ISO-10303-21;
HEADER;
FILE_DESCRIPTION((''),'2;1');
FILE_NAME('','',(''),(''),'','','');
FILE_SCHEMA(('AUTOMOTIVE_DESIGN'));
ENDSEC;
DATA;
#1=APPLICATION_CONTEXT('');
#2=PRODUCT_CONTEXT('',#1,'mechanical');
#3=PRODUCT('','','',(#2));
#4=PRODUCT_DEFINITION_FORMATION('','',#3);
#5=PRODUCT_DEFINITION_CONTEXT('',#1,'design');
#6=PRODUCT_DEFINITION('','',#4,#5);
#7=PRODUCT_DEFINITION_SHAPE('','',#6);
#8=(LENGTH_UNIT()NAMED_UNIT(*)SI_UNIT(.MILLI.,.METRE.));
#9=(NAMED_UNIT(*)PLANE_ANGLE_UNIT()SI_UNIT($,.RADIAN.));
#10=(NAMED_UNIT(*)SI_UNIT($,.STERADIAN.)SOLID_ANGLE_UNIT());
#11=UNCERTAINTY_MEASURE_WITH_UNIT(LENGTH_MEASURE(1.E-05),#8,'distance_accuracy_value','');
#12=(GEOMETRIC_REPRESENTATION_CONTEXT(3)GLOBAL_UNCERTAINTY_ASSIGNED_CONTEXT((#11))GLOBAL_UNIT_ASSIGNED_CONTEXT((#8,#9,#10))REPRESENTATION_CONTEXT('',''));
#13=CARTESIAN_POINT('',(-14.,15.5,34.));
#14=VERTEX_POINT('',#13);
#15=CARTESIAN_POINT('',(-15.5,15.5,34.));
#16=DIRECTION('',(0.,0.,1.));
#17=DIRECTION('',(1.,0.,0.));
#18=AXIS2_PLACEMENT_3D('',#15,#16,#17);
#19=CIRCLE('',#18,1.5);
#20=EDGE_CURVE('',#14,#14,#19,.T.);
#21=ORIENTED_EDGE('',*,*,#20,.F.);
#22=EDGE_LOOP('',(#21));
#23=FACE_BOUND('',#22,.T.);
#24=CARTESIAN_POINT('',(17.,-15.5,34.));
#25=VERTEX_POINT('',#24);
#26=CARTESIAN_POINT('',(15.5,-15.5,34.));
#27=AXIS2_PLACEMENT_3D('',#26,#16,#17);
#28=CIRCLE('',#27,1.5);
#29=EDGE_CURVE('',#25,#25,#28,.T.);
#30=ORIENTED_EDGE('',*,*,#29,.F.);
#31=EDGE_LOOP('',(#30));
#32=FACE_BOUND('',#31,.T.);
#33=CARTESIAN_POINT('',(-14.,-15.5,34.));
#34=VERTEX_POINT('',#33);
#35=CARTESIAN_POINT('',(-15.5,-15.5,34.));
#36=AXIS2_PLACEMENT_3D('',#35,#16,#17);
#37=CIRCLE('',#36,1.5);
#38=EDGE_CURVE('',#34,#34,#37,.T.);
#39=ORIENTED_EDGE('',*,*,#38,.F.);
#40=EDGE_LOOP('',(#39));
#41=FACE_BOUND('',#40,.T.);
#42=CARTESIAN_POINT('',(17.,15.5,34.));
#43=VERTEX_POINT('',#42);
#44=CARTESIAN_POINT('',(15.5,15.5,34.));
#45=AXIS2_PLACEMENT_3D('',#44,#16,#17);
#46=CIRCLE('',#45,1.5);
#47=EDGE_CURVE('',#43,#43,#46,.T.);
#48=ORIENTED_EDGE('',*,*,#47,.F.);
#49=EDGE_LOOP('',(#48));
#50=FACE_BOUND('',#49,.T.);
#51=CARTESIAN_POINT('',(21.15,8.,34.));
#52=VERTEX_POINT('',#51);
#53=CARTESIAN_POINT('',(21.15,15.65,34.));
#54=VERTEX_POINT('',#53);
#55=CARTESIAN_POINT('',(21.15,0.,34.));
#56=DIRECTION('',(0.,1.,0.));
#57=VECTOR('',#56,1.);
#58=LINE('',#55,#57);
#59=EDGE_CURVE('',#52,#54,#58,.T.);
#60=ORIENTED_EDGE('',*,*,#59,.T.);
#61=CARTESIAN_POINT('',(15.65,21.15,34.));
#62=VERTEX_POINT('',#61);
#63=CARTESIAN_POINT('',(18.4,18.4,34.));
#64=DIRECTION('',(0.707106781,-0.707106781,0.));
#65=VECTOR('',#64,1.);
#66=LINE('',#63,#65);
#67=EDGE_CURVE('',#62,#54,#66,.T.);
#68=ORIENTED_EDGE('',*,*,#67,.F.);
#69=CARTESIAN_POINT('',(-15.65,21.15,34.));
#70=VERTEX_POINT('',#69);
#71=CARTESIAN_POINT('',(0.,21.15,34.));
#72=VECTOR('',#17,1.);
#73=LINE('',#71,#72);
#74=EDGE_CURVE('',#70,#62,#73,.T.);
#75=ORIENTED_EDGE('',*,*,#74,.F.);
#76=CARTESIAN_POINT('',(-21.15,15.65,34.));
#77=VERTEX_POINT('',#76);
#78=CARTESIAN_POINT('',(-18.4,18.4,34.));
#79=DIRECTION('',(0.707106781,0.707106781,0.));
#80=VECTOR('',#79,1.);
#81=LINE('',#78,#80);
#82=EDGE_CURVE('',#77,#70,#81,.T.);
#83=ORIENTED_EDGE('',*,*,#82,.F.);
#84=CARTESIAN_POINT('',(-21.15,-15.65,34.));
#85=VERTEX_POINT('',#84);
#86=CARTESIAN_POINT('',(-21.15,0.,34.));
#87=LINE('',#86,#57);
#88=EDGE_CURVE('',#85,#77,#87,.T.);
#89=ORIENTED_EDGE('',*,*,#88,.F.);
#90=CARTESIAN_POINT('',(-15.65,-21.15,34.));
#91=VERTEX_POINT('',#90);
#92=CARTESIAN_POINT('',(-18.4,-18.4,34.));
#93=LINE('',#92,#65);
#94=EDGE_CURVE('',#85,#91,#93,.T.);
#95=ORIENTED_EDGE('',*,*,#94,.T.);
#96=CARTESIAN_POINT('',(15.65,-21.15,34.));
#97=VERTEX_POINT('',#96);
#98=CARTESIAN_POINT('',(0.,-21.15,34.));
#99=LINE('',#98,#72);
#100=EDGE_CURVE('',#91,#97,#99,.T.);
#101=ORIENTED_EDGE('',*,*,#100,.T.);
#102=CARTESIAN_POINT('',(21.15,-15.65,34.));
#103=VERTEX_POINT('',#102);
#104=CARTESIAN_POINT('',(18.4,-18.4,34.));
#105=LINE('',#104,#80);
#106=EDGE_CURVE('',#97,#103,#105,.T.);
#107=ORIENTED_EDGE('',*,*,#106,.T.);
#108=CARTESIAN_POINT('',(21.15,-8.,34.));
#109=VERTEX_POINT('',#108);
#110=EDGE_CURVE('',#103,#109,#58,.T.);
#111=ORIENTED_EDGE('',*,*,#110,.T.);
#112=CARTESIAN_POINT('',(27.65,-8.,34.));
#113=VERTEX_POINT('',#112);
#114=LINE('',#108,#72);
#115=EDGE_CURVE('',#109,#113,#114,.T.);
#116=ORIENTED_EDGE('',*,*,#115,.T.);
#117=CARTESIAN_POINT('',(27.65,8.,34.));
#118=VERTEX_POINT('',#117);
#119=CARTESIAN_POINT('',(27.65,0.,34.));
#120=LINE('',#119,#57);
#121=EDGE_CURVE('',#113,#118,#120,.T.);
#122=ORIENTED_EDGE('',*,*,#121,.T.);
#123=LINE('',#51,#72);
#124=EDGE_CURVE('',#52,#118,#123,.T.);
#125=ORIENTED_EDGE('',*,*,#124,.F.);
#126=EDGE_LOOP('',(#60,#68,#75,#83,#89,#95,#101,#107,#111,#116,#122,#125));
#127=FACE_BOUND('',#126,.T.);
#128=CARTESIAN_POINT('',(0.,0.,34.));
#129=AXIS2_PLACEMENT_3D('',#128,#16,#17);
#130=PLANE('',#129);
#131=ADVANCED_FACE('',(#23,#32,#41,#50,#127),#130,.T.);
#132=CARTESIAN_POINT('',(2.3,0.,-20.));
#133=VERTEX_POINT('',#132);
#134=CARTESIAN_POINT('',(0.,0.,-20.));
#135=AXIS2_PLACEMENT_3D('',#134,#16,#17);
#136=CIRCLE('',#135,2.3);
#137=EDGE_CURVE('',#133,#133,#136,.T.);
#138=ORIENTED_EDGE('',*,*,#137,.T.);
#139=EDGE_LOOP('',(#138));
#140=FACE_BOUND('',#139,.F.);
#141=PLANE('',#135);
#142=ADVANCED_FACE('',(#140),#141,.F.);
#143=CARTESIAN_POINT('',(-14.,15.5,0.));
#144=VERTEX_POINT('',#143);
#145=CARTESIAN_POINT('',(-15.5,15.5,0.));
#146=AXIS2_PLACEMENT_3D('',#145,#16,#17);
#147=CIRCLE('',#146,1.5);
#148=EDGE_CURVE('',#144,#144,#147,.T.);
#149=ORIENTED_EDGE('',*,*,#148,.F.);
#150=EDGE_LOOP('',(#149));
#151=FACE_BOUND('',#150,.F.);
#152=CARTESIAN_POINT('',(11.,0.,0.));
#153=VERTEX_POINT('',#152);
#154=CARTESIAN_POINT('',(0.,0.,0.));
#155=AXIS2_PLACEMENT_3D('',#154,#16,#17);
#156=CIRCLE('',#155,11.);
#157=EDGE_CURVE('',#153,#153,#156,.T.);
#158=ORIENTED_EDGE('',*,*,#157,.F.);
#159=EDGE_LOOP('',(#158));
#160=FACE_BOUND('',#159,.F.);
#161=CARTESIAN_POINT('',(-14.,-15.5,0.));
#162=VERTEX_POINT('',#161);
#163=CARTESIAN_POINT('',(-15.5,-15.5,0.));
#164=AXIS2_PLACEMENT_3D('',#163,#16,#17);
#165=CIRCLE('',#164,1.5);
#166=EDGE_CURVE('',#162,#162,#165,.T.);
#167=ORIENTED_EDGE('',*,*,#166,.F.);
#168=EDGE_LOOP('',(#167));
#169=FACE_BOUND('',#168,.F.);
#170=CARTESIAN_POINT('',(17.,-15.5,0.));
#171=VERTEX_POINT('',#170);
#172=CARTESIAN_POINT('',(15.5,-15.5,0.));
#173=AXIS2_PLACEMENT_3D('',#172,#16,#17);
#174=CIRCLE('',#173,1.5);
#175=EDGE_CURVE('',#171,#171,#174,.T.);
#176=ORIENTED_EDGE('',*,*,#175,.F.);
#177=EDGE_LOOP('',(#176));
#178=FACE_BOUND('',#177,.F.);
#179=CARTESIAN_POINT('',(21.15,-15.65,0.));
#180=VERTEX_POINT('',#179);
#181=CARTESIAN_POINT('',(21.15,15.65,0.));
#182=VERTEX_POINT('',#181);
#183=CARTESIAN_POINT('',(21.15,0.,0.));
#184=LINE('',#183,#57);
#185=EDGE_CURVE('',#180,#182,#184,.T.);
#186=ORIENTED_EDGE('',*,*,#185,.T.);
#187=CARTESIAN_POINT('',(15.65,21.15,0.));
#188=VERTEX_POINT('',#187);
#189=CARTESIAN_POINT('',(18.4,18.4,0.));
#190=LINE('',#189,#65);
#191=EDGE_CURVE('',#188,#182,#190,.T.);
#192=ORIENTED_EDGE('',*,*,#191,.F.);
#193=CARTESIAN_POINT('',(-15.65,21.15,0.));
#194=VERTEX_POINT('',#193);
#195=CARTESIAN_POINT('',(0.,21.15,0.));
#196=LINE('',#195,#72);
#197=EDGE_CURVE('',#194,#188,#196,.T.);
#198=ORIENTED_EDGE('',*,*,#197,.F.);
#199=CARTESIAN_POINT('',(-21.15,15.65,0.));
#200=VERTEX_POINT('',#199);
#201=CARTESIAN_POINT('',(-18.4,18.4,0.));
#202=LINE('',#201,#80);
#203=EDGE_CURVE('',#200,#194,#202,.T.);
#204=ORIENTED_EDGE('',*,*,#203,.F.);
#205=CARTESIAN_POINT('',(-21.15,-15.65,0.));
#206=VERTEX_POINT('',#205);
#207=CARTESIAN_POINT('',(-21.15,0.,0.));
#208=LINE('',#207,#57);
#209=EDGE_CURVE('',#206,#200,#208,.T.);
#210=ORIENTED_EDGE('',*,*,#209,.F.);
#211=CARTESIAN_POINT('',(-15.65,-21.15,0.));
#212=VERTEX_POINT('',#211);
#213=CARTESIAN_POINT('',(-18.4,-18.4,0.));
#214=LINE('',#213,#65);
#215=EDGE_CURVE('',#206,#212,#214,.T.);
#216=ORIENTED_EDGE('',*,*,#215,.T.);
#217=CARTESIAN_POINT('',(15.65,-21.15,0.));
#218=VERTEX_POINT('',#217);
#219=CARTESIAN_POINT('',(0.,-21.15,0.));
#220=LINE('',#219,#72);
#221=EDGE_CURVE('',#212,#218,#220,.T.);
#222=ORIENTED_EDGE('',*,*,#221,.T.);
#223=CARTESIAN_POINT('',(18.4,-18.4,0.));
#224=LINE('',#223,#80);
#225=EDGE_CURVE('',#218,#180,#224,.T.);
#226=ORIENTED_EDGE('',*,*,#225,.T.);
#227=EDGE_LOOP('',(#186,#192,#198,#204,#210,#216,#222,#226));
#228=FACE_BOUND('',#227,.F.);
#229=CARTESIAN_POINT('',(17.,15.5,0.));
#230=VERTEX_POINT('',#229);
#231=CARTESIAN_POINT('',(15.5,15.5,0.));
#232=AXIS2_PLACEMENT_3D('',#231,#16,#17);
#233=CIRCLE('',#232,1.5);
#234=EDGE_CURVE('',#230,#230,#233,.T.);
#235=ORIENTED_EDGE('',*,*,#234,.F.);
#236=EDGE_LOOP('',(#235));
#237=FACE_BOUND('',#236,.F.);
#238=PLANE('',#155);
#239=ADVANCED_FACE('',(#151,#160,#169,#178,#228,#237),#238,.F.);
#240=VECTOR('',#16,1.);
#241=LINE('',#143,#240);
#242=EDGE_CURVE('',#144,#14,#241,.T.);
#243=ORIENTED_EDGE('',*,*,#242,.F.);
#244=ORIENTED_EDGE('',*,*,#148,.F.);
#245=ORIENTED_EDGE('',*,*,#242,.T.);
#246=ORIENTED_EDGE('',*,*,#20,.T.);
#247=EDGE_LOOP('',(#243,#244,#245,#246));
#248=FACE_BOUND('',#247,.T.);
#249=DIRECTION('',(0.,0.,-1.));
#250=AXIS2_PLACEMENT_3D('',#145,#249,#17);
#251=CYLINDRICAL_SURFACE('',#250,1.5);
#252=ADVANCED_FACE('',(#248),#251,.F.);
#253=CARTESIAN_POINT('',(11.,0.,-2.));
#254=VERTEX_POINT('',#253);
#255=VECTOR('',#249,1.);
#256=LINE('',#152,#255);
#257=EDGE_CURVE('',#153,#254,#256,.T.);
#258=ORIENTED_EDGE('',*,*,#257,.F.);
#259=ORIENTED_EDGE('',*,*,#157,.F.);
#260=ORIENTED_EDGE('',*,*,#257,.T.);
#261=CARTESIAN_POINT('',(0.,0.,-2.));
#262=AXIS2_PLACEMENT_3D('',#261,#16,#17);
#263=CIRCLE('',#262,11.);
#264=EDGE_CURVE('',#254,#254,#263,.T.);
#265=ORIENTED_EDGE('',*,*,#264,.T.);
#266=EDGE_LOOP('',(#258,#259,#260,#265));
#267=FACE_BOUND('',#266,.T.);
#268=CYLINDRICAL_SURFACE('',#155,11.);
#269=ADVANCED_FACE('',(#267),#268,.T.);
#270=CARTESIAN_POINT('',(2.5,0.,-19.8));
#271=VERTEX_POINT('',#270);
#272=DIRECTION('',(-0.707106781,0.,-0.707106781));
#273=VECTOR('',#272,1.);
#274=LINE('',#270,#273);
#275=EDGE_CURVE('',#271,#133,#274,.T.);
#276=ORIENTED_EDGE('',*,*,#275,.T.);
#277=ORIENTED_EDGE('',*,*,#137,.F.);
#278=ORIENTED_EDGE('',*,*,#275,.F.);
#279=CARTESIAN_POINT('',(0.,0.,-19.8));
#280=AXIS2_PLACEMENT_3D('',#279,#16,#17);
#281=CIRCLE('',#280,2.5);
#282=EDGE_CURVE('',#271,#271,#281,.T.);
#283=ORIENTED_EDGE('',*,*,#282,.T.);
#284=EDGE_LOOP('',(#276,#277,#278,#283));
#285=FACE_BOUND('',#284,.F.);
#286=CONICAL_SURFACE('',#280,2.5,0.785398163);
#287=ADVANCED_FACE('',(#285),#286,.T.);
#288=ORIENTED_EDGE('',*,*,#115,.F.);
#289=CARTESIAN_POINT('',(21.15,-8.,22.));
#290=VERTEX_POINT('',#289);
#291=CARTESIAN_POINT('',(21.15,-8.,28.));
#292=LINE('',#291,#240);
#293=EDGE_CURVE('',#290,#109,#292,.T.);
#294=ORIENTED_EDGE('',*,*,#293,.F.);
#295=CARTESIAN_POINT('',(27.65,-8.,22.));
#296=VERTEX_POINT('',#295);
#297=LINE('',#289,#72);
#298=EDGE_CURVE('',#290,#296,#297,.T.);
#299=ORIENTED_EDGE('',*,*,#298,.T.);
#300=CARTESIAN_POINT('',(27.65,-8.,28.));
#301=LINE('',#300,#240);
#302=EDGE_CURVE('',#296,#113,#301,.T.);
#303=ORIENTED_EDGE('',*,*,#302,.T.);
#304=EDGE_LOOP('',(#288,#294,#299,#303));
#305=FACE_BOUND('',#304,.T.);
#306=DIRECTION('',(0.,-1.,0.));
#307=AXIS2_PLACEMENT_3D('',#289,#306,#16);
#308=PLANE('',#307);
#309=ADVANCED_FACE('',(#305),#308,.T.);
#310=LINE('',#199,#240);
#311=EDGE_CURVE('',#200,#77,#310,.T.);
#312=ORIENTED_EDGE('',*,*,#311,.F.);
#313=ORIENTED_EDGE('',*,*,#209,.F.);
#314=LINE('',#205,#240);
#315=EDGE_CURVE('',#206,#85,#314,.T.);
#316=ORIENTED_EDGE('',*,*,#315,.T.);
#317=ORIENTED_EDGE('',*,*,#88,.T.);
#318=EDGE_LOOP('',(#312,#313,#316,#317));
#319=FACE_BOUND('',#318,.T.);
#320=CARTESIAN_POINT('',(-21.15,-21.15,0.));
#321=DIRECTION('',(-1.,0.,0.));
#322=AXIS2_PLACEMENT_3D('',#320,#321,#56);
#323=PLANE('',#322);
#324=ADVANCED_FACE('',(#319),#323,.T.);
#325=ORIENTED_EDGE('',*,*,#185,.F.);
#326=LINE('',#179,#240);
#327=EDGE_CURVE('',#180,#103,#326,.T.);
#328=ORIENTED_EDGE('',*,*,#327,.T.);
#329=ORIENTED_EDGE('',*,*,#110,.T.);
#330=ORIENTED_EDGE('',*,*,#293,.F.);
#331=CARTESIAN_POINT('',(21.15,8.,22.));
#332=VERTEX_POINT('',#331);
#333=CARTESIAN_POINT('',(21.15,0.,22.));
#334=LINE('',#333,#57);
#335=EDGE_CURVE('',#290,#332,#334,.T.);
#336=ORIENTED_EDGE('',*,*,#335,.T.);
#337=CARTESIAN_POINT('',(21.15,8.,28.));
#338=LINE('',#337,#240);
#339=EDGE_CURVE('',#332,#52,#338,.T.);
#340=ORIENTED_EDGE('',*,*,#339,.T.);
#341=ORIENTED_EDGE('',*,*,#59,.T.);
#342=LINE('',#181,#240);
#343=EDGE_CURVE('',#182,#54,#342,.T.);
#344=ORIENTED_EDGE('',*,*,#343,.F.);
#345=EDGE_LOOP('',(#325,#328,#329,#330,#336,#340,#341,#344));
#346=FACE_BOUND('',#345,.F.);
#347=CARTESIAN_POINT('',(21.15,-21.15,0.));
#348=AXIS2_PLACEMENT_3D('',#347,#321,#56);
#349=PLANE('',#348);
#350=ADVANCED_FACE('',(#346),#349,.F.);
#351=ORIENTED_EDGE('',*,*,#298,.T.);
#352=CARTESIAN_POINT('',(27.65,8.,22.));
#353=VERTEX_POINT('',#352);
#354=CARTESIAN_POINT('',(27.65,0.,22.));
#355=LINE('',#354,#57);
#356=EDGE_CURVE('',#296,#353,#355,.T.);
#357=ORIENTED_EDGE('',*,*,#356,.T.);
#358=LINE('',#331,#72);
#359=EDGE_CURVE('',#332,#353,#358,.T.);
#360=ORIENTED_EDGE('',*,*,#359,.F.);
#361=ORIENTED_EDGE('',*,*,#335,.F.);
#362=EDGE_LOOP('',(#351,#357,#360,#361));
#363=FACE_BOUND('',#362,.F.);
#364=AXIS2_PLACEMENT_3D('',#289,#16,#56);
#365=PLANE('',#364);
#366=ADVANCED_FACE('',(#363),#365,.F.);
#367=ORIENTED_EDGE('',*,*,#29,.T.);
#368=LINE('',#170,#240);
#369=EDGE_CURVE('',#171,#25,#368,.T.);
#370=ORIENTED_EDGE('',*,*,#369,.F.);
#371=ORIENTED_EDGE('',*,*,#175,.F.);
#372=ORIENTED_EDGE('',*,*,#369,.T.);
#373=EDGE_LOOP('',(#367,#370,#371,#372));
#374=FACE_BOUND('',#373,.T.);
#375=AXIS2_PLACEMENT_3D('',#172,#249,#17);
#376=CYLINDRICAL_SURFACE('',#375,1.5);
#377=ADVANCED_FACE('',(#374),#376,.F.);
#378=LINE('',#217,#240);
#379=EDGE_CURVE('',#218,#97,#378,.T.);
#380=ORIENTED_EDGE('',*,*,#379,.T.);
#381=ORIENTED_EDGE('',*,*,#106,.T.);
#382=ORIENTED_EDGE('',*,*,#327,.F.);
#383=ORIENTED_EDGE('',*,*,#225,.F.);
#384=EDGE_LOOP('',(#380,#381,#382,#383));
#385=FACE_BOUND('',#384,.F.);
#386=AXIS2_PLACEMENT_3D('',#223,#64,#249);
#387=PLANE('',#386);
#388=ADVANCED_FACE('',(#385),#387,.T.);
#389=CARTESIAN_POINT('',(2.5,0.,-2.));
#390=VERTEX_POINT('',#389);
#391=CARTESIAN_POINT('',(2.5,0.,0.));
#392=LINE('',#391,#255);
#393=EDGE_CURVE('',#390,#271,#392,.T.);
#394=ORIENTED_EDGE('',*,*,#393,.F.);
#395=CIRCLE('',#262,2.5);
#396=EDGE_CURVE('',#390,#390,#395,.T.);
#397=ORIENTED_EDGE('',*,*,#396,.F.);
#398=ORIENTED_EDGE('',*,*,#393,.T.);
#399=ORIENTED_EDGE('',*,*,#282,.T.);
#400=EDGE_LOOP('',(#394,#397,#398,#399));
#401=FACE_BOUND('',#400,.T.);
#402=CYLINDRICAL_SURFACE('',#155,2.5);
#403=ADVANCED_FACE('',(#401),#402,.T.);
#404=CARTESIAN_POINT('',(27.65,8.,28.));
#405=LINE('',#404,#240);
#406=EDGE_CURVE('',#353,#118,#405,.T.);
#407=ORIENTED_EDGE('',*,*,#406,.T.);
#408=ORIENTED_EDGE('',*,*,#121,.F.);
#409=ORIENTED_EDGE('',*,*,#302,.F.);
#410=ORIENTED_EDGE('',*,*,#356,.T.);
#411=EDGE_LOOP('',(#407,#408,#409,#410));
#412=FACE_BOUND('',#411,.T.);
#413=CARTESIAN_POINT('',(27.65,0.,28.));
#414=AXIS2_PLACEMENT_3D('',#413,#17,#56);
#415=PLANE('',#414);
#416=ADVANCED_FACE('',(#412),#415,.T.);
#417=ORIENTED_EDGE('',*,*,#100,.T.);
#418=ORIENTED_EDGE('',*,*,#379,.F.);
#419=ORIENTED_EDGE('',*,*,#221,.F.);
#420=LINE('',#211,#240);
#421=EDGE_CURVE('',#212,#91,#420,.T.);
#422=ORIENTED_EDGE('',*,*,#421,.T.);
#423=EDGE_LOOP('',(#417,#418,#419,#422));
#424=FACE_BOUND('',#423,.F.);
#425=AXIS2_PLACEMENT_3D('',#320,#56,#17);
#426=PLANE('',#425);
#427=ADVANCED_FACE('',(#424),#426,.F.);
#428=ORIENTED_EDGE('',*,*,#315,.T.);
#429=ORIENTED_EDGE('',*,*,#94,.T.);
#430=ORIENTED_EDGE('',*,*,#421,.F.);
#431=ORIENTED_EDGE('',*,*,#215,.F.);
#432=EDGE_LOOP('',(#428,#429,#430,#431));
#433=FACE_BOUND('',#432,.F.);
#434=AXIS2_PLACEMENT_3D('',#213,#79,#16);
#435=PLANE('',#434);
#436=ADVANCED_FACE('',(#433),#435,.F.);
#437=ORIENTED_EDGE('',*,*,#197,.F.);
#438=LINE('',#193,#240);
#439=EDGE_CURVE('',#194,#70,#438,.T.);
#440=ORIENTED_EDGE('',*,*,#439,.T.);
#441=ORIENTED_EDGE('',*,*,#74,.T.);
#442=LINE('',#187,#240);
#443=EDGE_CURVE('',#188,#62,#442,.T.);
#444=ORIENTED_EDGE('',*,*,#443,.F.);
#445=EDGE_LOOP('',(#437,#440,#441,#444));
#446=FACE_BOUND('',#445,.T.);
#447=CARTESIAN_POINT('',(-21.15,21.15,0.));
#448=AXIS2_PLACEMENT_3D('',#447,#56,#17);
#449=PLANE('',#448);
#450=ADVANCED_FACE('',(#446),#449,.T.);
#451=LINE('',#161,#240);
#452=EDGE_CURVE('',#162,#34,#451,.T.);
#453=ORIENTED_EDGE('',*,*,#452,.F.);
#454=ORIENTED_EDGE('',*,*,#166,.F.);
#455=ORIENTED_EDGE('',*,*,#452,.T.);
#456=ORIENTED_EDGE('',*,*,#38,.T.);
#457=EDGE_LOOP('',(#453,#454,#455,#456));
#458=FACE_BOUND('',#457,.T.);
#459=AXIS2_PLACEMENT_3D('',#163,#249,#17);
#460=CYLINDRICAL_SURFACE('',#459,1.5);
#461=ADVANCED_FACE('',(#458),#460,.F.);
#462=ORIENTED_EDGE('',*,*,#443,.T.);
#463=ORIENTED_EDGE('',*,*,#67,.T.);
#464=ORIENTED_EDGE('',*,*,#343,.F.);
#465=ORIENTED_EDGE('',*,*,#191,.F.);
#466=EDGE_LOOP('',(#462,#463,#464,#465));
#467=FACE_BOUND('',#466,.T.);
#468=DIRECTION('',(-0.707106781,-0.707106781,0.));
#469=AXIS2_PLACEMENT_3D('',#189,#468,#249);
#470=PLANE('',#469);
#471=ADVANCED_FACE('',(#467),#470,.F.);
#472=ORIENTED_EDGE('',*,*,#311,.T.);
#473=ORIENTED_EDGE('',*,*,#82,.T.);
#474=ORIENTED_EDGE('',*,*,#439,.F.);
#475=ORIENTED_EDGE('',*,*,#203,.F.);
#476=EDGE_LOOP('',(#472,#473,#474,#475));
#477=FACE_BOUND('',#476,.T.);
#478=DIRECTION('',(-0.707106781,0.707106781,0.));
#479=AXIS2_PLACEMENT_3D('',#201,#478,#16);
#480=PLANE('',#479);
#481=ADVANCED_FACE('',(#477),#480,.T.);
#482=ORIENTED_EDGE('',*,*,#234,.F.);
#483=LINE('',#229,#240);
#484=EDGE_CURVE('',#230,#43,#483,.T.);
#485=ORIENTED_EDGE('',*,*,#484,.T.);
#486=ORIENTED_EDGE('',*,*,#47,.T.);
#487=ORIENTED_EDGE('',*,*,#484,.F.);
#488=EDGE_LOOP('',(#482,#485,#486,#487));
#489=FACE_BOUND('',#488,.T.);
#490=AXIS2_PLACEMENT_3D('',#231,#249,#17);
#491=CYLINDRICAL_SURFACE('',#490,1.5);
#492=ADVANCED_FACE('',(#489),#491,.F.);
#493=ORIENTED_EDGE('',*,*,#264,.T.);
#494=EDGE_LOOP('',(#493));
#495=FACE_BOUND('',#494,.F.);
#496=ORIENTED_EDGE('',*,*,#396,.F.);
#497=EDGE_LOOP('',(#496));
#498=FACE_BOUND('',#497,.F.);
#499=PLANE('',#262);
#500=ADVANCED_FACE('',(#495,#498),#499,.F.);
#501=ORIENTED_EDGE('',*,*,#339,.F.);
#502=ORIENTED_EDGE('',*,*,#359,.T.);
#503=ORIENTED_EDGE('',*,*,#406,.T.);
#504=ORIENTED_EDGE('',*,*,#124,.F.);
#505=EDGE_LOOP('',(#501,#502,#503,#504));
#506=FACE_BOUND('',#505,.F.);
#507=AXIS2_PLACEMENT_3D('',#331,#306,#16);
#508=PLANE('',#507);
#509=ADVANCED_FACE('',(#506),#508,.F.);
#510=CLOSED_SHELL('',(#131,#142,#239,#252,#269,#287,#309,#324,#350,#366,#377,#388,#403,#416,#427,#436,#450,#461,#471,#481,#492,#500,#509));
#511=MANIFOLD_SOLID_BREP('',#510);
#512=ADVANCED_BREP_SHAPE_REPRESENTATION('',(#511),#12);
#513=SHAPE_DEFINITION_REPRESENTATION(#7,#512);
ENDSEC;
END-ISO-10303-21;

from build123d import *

# Parameters (mm, degrees)
F0_W     = 42.3
F0_H     = 42.3
F0_R     = 1.5
F0_R_2   = 11
F0_R_3   = 2.5
F1_DEPTH = 34
F2_DEPTH = 2
F3_DEPTH = 20
F4_SIZE  = 5.5
F5_SIZE  = 0.2
F6_W     = 16
F6_H     = 12
F7_DEPTH = 6.5


with BuildPart() as f1:
    # F0 (on Top) → F1 (new body)
    with BuildSketch(Plane.XY):
        Rectangle(F0_W, F0_H)
        with Locations((-15.5, -15.5)):
            Circle(F0_R, mode=Mode.SUBTRACT)
        with Locations((15.5, -15.5)):
            Circle(F0_R, mode=Mode.SUBTRACT)
        with Locations((-15.5, 15.5)):
            Circle(F0_R, mode=Mode.SUBTRACT)
        Circle(F0_R_2, mode=Mode.SUBTRACT)
        with Locations((15.5, 15.5)):
            Circle(F0_R, mode=Mode.SUBTRACT)
        Circle(F0_R_2)
        Circle(F0_R_3, mode=Mode.SUBTRACT)
        Circle(F0_R_3)
    extrude(amount=F1_DEPTH)

    # F0 (on Top) → F2 (join)
    with BuildSketch(Plane.XY):
        Circle(F0_R_2)
        Circle(F0_R_3, mode=Mode.SUBTRACT)
    extrude(amount=-F2_DEPTH)

    # F0 (on Top) → F3 (join)
    with BuildSketch(Plane.XY):
        Circle(F0_R_3)
    extrude(amount=-F3_DEPTH)

    # F4
    f4_edges = [f1.edges().sort_by_distance(p)[0] for p in [
        (-21.15, -21.15, 17),
        (21.15, -21.15, 17),
        (21.15, 21.15, 17),
        (-21.15, 21.15, 17),
    ]]
    chamfer(f4_edges, length=F4_SIZE)

    # F5
    f5_edges = [f1.edges().sort_by_distance(p)[0] for p in [
        (-2.5, 0, -20),
    ]]
    chamfer(f5_edges, length=F5_SIZE)

    # F6 (on face) → F7 (join)
    with BuildSketch(Plane.YZ.offset(21.15)):
        with Locations((0, 28)):
            Rectangle(F6_W, F6_H)
    extrude(amount=F7_DEPTH)


solid = f1.part
